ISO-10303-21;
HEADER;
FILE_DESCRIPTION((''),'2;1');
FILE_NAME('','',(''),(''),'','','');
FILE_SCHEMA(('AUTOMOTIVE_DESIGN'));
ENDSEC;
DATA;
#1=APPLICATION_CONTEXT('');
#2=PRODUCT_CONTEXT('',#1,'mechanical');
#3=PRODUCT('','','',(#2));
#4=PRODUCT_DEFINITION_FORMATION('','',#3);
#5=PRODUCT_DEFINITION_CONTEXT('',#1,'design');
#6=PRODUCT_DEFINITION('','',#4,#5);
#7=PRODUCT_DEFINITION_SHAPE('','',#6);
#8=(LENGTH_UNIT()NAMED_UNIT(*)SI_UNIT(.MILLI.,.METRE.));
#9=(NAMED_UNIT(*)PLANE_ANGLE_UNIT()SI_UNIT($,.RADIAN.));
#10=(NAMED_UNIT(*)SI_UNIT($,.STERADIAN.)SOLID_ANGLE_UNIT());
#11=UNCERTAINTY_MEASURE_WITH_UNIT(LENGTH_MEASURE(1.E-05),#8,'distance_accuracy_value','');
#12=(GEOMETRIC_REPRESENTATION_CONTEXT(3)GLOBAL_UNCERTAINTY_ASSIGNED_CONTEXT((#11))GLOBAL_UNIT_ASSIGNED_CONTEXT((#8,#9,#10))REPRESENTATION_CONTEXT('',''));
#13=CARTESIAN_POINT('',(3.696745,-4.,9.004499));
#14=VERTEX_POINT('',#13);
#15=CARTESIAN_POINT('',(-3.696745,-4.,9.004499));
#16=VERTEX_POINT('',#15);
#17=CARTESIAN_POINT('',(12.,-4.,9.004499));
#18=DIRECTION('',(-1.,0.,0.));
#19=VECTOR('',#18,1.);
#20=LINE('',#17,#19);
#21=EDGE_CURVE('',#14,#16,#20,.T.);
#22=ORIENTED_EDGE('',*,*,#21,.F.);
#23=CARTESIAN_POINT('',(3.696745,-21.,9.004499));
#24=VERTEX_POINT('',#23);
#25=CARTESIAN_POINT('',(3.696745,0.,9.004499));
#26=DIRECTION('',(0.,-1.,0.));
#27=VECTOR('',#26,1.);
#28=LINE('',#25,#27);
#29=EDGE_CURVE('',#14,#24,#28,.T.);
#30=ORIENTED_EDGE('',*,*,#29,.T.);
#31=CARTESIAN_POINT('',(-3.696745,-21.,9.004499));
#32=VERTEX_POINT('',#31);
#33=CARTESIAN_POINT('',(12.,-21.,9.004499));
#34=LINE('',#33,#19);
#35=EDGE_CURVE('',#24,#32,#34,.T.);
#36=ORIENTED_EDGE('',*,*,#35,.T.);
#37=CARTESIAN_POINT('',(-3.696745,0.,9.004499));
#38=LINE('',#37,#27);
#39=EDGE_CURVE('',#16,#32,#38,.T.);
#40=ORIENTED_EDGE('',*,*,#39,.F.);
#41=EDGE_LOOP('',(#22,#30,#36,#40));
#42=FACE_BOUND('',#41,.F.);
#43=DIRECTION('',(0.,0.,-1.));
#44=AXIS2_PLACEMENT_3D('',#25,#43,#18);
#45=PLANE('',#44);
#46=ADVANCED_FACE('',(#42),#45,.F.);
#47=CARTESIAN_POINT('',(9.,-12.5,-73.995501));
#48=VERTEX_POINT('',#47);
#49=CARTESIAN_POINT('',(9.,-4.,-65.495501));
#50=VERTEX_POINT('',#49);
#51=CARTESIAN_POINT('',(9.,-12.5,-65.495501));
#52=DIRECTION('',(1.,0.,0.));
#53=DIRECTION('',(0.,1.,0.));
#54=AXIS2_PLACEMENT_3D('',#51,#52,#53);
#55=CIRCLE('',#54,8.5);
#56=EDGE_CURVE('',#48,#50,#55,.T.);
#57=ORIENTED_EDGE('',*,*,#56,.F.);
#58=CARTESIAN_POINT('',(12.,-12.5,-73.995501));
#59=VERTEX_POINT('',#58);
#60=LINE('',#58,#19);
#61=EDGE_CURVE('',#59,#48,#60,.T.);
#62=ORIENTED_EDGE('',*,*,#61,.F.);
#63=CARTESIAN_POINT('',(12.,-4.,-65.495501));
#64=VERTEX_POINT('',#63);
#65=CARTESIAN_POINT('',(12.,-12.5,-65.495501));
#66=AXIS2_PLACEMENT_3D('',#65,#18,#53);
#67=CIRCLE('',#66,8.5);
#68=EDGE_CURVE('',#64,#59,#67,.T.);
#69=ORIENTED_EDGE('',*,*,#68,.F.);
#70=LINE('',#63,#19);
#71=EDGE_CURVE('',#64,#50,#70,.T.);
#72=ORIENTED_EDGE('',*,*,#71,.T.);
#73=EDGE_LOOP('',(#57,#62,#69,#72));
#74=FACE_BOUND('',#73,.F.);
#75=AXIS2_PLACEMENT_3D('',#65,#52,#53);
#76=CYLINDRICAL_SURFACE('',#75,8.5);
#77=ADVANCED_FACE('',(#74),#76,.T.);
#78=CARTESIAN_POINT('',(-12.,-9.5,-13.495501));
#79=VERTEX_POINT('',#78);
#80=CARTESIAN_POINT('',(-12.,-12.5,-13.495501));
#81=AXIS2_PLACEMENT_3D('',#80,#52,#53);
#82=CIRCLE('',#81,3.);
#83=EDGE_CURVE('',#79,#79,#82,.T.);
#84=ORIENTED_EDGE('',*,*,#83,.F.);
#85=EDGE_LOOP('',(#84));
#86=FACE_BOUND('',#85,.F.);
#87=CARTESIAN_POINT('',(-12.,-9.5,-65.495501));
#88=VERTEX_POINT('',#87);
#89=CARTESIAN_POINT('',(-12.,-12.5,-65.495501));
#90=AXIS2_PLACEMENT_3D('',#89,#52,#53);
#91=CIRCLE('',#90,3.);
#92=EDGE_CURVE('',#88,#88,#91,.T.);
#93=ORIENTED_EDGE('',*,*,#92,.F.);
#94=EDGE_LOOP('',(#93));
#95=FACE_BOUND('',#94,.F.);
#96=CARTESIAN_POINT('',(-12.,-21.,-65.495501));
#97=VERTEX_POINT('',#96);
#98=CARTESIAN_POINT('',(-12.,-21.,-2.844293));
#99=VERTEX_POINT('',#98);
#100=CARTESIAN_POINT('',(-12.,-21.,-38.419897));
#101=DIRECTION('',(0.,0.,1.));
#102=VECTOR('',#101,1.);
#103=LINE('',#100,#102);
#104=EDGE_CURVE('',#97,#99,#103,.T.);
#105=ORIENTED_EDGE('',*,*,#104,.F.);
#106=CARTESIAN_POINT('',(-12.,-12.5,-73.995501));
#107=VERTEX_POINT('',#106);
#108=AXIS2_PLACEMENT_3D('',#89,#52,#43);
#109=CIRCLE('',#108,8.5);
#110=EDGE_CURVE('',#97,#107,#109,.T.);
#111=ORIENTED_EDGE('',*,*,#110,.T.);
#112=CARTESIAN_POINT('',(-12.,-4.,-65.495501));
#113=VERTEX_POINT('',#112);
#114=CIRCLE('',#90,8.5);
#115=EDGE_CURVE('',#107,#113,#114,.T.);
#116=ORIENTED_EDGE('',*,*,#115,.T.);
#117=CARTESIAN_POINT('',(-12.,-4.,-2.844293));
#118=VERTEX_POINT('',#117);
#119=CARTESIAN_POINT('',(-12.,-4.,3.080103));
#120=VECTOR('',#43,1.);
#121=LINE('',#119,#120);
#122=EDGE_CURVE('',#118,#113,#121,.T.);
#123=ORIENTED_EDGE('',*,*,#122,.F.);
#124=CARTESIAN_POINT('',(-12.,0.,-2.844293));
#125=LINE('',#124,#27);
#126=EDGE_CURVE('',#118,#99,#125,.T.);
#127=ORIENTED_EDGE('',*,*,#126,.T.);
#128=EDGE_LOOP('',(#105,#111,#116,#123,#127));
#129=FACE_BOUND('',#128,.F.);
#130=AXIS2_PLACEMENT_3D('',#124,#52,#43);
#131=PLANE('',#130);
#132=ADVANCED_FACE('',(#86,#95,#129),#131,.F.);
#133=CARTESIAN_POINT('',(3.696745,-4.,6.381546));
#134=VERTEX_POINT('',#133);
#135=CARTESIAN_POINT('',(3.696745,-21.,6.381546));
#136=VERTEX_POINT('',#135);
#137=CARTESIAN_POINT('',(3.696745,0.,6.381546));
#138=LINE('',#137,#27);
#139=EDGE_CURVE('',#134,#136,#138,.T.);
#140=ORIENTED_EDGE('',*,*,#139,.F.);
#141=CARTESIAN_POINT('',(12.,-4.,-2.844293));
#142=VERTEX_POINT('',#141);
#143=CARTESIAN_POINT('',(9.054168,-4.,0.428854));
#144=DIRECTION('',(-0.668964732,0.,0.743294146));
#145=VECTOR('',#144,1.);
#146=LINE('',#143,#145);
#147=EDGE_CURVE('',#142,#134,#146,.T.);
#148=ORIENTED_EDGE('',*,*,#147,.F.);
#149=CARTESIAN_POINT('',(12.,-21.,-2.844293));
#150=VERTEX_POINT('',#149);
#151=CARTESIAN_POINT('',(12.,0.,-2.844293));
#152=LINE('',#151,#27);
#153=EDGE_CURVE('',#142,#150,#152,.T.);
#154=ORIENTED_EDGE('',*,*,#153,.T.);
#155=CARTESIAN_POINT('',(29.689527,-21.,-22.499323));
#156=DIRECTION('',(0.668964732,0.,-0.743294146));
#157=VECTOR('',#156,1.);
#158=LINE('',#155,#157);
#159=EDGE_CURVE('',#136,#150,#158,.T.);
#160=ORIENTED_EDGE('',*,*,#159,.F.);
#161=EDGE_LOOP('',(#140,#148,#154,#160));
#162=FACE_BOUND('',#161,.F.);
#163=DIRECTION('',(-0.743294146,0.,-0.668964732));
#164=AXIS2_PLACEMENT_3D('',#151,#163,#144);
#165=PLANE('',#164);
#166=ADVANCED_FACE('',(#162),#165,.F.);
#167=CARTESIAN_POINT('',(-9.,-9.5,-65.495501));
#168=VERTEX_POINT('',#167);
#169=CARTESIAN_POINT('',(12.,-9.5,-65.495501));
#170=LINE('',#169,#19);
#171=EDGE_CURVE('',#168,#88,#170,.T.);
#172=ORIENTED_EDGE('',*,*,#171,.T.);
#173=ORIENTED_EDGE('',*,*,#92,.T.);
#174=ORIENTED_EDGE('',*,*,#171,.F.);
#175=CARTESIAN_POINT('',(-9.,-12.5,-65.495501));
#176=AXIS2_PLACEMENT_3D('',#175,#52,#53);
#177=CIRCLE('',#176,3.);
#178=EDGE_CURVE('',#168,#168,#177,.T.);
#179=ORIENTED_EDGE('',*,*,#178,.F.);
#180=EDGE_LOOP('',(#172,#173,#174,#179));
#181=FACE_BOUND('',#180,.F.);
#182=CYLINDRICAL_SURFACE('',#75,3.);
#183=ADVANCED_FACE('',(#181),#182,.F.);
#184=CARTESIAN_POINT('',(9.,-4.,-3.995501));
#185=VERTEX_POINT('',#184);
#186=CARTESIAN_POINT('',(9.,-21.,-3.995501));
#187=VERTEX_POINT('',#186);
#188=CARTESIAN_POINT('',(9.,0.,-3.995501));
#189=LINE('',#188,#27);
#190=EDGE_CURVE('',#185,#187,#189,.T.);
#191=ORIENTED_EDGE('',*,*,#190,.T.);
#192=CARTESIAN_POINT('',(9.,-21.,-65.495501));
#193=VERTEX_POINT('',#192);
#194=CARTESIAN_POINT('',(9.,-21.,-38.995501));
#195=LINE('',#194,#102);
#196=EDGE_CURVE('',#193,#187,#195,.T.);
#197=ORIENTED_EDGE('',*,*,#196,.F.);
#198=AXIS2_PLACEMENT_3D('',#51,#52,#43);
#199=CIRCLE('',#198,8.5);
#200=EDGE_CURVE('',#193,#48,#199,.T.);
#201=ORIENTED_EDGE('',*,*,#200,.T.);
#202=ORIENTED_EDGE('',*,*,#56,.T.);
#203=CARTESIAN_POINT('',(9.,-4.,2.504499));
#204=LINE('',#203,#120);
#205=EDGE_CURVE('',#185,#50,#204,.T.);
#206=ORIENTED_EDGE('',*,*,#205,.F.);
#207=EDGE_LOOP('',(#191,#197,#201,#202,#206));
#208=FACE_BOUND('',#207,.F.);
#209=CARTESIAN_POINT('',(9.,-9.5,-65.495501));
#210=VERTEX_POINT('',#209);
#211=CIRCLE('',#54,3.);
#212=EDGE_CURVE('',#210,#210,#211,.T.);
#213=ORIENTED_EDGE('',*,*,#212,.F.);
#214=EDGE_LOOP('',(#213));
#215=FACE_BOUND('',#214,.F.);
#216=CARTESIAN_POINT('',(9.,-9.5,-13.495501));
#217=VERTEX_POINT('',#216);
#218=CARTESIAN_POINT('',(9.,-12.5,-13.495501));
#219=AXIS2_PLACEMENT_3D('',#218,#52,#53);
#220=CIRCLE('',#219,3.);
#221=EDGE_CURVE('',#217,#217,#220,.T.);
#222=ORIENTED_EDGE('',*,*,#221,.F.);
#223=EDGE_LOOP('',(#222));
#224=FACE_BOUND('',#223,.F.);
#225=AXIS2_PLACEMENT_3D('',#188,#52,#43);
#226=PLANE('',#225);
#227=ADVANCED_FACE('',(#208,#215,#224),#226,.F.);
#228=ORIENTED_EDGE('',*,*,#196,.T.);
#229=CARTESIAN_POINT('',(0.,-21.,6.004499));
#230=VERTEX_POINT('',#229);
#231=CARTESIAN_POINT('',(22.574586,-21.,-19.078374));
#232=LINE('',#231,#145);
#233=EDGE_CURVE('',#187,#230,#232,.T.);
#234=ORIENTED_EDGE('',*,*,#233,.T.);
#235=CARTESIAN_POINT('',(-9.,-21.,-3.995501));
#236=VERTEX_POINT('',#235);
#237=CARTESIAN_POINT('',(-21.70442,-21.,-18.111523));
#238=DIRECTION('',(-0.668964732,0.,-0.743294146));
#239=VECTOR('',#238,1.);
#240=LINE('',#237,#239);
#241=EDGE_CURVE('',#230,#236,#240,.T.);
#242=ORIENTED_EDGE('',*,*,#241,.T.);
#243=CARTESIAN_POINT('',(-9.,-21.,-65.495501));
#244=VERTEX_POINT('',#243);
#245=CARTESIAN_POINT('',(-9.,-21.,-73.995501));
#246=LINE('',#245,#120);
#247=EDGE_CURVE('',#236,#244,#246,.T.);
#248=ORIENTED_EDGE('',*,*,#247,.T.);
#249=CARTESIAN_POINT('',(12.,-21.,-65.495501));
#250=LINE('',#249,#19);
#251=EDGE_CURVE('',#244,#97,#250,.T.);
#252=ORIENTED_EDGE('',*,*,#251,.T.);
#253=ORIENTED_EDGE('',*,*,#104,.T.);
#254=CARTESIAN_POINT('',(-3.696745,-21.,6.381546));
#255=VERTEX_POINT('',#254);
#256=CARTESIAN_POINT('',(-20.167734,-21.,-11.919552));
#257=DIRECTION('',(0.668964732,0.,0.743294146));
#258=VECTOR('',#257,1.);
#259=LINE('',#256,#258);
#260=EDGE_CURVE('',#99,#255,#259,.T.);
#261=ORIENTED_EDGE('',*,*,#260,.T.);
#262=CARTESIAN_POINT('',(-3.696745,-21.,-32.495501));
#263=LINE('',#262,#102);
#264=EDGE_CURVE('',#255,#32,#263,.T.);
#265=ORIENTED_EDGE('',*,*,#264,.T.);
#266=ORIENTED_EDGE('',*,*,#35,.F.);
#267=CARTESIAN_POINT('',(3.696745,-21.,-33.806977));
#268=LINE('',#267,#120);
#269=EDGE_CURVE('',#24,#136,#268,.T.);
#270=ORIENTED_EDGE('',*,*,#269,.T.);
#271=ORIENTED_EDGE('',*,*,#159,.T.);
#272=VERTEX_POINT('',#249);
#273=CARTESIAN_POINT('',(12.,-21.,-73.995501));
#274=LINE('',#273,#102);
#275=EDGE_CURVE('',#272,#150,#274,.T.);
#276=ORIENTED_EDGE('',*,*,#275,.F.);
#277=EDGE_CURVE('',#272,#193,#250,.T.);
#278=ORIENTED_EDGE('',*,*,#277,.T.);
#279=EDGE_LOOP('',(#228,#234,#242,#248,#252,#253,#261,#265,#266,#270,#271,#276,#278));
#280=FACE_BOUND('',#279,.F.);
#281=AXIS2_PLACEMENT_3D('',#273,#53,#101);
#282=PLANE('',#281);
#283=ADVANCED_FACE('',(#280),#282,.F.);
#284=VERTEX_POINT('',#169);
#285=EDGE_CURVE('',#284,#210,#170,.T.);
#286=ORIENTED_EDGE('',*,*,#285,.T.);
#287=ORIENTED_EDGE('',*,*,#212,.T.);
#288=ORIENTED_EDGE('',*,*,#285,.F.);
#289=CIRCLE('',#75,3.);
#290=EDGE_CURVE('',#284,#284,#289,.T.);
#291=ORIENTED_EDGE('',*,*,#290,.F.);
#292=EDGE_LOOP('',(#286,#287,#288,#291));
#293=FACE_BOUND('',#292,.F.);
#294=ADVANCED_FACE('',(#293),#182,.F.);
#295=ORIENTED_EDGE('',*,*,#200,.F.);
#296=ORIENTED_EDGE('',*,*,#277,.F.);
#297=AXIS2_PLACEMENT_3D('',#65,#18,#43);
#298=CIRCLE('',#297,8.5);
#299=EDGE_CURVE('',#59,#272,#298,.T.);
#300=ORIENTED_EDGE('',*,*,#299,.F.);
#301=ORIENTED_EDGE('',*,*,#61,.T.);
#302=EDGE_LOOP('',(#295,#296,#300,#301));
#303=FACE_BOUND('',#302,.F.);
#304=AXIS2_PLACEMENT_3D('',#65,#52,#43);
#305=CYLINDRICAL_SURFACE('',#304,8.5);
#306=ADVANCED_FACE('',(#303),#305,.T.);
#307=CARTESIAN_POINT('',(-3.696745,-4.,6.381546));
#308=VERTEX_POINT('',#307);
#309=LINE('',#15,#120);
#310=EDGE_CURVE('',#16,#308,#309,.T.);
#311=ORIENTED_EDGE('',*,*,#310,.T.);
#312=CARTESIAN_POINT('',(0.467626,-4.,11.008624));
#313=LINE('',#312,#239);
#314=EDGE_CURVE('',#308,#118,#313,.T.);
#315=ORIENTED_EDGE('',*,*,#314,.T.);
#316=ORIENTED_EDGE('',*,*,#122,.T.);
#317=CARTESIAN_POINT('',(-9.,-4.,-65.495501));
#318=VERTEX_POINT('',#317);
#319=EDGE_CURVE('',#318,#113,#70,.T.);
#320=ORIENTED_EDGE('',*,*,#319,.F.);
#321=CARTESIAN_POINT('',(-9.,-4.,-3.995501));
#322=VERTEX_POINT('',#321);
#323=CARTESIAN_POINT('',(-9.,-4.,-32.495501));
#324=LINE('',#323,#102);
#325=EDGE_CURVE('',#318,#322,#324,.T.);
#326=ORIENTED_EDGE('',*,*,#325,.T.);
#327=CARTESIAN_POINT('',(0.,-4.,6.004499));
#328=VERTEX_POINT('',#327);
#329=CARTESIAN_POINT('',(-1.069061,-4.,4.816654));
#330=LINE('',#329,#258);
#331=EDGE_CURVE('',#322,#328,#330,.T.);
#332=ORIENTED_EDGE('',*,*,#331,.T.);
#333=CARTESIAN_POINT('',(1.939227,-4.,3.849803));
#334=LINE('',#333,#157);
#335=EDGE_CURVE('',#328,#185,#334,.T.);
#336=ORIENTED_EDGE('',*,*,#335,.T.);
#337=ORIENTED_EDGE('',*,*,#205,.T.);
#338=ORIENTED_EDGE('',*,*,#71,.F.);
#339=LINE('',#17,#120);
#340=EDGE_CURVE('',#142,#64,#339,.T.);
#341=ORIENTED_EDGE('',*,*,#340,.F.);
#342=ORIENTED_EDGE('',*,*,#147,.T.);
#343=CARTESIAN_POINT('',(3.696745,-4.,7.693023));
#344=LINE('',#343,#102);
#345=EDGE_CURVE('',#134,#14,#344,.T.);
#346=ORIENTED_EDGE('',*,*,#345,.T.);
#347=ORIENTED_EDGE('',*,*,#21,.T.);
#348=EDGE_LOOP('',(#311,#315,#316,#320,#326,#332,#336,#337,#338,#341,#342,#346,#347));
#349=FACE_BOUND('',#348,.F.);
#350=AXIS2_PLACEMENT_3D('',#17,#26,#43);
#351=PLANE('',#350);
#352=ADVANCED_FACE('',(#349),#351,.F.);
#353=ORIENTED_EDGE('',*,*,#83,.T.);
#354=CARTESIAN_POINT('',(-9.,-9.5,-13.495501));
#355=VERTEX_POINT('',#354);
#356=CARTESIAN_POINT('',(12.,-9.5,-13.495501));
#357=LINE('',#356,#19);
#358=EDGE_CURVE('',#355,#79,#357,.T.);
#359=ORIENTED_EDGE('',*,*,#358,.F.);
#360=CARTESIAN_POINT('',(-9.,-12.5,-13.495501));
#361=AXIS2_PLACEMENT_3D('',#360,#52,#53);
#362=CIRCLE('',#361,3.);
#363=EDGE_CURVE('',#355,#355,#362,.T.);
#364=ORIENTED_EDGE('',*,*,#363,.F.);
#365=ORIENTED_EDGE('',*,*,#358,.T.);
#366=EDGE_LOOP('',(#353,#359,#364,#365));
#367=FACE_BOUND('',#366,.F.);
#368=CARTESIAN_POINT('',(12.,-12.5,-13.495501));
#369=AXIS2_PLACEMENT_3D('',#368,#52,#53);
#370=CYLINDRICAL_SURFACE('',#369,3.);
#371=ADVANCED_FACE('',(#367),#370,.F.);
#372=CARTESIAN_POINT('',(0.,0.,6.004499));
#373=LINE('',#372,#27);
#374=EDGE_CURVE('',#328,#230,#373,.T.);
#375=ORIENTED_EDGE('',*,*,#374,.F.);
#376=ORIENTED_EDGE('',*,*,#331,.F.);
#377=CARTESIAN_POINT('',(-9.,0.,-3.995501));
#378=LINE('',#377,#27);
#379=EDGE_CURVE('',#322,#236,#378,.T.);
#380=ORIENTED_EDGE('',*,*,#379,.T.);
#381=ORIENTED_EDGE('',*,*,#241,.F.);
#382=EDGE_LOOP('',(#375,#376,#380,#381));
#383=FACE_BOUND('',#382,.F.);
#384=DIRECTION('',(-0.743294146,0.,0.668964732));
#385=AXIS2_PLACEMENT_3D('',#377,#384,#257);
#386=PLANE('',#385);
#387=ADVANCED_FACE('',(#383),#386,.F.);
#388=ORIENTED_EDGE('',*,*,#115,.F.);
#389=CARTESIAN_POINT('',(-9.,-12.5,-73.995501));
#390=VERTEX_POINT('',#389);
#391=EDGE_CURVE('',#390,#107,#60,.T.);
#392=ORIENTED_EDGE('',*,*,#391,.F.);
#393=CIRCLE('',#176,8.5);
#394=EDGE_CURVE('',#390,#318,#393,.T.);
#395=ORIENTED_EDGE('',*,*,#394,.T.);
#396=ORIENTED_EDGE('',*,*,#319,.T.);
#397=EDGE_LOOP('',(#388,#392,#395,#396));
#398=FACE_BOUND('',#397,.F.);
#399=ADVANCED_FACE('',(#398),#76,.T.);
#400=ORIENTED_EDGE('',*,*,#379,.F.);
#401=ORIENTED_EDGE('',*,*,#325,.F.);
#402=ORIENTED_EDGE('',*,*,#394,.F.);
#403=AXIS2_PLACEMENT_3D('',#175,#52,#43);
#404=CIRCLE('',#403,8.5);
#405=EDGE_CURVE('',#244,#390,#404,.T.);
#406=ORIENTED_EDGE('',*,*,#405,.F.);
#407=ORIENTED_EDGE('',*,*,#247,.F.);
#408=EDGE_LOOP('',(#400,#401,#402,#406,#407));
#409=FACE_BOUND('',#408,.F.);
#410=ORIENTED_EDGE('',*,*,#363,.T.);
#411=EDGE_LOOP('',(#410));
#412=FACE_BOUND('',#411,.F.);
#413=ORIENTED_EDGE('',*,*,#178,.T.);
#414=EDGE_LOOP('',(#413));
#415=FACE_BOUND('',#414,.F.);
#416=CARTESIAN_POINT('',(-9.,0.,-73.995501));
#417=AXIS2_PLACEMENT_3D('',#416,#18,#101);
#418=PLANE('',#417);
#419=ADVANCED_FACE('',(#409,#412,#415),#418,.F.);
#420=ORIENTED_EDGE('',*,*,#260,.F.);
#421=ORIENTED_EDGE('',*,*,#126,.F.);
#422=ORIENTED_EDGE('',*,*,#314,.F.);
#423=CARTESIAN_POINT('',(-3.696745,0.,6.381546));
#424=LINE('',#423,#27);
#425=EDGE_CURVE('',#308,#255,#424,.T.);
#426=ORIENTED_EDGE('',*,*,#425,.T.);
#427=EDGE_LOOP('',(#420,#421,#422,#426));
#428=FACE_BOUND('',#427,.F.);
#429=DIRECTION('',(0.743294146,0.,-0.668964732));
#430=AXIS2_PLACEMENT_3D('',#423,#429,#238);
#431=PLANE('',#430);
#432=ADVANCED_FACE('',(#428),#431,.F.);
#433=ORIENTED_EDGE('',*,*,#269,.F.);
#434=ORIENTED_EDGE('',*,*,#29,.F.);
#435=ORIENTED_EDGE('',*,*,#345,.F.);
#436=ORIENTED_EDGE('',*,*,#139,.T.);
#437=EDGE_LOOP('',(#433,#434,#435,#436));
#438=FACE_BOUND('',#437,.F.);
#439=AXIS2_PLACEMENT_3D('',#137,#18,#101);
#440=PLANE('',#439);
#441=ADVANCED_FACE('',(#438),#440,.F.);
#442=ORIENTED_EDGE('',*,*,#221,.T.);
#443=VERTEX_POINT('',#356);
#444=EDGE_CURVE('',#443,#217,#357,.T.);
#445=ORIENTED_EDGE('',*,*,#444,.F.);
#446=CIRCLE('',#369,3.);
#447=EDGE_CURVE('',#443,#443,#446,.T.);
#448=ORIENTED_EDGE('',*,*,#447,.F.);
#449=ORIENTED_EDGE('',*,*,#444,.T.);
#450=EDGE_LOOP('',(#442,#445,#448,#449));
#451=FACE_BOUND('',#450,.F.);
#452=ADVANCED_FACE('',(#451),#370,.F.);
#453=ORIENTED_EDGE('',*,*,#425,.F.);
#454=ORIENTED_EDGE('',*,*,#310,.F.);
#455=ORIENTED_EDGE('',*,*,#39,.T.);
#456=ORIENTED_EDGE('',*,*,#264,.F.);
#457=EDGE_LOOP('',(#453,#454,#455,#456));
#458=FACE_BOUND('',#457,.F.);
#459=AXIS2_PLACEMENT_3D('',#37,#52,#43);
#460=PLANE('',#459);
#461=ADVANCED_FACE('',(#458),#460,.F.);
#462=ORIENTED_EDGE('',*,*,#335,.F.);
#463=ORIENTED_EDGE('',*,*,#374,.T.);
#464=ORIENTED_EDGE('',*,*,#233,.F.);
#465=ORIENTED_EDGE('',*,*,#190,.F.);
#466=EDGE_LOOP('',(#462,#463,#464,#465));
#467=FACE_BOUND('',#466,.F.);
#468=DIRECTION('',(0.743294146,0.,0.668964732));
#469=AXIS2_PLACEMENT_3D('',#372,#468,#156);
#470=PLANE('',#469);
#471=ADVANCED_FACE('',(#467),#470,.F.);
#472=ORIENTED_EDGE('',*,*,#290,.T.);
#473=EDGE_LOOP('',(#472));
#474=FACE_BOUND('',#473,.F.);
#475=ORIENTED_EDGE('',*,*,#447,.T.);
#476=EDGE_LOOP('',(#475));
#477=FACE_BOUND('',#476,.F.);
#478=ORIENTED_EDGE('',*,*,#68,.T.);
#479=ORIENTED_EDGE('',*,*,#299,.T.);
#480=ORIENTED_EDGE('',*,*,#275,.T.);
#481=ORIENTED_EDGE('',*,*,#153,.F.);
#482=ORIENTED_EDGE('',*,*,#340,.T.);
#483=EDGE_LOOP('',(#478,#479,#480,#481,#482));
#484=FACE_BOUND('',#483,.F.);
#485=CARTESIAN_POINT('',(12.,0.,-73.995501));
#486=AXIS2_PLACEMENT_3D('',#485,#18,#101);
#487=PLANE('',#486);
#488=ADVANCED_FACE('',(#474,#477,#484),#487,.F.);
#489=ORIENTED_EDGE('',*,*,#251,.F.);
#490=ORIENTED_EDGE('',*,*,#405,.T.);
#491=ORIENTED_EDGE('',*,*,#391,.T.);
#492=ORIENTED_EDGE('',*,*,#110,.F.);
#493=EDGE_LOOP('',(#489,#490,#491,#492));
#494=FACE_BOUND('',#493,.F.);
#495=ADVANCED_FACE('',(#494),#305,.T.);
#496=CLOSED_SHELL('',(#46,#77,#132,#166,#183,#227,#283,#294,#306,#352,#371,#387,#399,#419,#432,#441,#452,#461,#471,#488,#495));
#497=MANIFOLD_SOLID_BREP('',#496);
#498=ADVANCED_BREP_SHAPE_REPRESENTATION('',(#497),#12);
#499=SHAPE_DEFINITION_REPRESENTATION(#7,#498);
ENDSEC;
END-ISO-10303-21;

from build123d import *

# Parameters (mm, degrees)
F1_DEPTH = 25
F2_W     = 4
F2_H     = 71.1512080157
F3_DEPTH = 25
F4_R     = 3
F5_DEPTH = 25


with BuildPart() as f1:
    # F0 (on Front) → F1 (new body)
    with BuildSketch(Plane.XZ):
        Polygon((9, -73.9955009194), (12, -73.9955009194), (12, -2.8442929037), (3.6967449024, 6.3815460937), (3.6967449024, 9.0044990806), (-3.6967449024, 9.0044990806), (-3.6967449024, 6.3815460937), (-12, -2.8442929037), (-12, -73.9955009194), (-9, -73.9955009194), (-9, -3.9955009194), (0, 6.0044990806), (9, -3.9955009194), align=None)
    extrude(amount=F1_DEPTH)

    # F2 (on face) → F3 (cut)
    with BuildSketch(Plane.YZ.offset(12)):
        with Locations((-23, -38.4198969115)):
            Rectangle(F2_W, F2_H)
        with Locations((-2, -38.4198969115)):
            Rectangle(F2_W, F2_H)
        Polygon((-4, 9.0044990806), (-4, -2.8442929037), (0, -2.8442929037), (0, -73.9955009194), (3.3893596847, -73.9955009194), (3.3893596847, 9.0044990806), align=None)
        Polygon((-25, -2.8442929037), (-21, -2.8442929037), (-21, 9.0044990806), (-27.9794055969, 9.0044990806), (-27.9794055969, -73.9955009194), (-25, -73.9955009194), align=None)
    extrude(amount=-F3_DEPTH, mode=Mode.SUBTRACT)

    # F4 (on face) → F5 (cut)
    with BuildSketch(Plane.YZ.offset(12)):
        with BuildLine():
            ThreePointArc((-12.5, -73.9955009194), (-18.5104076401, -71.5059085594), (-21, -65.4955009194))
            Line((-21, -65.4955009194), (-21, -73.9955009194))
            Line((-21, -73.9955009194), (-12.5, -73.9955009194))
        make_face()
        with BuildLine():
            ThreePointArc((-4, -65.4955009194), (-6.4895923599, -71.5059085594), (-12.5, -73.9955009194))
            Line((-12.5, -73.9955009194), (-4, -73.9955009194))
            Line((-4, -73.9955009194), (-4, -65.4955009194))
        make_face()
        with Locations((-12.5, -65.4955009194)):
            Circle(F4_R)
        with Locations((-12.5, -13.4955009194)):
            Circle(F4_R)
    extrude(amount=-F5_DEPTH, mode=Mode.SUBTRACT)


solid = f1.part
